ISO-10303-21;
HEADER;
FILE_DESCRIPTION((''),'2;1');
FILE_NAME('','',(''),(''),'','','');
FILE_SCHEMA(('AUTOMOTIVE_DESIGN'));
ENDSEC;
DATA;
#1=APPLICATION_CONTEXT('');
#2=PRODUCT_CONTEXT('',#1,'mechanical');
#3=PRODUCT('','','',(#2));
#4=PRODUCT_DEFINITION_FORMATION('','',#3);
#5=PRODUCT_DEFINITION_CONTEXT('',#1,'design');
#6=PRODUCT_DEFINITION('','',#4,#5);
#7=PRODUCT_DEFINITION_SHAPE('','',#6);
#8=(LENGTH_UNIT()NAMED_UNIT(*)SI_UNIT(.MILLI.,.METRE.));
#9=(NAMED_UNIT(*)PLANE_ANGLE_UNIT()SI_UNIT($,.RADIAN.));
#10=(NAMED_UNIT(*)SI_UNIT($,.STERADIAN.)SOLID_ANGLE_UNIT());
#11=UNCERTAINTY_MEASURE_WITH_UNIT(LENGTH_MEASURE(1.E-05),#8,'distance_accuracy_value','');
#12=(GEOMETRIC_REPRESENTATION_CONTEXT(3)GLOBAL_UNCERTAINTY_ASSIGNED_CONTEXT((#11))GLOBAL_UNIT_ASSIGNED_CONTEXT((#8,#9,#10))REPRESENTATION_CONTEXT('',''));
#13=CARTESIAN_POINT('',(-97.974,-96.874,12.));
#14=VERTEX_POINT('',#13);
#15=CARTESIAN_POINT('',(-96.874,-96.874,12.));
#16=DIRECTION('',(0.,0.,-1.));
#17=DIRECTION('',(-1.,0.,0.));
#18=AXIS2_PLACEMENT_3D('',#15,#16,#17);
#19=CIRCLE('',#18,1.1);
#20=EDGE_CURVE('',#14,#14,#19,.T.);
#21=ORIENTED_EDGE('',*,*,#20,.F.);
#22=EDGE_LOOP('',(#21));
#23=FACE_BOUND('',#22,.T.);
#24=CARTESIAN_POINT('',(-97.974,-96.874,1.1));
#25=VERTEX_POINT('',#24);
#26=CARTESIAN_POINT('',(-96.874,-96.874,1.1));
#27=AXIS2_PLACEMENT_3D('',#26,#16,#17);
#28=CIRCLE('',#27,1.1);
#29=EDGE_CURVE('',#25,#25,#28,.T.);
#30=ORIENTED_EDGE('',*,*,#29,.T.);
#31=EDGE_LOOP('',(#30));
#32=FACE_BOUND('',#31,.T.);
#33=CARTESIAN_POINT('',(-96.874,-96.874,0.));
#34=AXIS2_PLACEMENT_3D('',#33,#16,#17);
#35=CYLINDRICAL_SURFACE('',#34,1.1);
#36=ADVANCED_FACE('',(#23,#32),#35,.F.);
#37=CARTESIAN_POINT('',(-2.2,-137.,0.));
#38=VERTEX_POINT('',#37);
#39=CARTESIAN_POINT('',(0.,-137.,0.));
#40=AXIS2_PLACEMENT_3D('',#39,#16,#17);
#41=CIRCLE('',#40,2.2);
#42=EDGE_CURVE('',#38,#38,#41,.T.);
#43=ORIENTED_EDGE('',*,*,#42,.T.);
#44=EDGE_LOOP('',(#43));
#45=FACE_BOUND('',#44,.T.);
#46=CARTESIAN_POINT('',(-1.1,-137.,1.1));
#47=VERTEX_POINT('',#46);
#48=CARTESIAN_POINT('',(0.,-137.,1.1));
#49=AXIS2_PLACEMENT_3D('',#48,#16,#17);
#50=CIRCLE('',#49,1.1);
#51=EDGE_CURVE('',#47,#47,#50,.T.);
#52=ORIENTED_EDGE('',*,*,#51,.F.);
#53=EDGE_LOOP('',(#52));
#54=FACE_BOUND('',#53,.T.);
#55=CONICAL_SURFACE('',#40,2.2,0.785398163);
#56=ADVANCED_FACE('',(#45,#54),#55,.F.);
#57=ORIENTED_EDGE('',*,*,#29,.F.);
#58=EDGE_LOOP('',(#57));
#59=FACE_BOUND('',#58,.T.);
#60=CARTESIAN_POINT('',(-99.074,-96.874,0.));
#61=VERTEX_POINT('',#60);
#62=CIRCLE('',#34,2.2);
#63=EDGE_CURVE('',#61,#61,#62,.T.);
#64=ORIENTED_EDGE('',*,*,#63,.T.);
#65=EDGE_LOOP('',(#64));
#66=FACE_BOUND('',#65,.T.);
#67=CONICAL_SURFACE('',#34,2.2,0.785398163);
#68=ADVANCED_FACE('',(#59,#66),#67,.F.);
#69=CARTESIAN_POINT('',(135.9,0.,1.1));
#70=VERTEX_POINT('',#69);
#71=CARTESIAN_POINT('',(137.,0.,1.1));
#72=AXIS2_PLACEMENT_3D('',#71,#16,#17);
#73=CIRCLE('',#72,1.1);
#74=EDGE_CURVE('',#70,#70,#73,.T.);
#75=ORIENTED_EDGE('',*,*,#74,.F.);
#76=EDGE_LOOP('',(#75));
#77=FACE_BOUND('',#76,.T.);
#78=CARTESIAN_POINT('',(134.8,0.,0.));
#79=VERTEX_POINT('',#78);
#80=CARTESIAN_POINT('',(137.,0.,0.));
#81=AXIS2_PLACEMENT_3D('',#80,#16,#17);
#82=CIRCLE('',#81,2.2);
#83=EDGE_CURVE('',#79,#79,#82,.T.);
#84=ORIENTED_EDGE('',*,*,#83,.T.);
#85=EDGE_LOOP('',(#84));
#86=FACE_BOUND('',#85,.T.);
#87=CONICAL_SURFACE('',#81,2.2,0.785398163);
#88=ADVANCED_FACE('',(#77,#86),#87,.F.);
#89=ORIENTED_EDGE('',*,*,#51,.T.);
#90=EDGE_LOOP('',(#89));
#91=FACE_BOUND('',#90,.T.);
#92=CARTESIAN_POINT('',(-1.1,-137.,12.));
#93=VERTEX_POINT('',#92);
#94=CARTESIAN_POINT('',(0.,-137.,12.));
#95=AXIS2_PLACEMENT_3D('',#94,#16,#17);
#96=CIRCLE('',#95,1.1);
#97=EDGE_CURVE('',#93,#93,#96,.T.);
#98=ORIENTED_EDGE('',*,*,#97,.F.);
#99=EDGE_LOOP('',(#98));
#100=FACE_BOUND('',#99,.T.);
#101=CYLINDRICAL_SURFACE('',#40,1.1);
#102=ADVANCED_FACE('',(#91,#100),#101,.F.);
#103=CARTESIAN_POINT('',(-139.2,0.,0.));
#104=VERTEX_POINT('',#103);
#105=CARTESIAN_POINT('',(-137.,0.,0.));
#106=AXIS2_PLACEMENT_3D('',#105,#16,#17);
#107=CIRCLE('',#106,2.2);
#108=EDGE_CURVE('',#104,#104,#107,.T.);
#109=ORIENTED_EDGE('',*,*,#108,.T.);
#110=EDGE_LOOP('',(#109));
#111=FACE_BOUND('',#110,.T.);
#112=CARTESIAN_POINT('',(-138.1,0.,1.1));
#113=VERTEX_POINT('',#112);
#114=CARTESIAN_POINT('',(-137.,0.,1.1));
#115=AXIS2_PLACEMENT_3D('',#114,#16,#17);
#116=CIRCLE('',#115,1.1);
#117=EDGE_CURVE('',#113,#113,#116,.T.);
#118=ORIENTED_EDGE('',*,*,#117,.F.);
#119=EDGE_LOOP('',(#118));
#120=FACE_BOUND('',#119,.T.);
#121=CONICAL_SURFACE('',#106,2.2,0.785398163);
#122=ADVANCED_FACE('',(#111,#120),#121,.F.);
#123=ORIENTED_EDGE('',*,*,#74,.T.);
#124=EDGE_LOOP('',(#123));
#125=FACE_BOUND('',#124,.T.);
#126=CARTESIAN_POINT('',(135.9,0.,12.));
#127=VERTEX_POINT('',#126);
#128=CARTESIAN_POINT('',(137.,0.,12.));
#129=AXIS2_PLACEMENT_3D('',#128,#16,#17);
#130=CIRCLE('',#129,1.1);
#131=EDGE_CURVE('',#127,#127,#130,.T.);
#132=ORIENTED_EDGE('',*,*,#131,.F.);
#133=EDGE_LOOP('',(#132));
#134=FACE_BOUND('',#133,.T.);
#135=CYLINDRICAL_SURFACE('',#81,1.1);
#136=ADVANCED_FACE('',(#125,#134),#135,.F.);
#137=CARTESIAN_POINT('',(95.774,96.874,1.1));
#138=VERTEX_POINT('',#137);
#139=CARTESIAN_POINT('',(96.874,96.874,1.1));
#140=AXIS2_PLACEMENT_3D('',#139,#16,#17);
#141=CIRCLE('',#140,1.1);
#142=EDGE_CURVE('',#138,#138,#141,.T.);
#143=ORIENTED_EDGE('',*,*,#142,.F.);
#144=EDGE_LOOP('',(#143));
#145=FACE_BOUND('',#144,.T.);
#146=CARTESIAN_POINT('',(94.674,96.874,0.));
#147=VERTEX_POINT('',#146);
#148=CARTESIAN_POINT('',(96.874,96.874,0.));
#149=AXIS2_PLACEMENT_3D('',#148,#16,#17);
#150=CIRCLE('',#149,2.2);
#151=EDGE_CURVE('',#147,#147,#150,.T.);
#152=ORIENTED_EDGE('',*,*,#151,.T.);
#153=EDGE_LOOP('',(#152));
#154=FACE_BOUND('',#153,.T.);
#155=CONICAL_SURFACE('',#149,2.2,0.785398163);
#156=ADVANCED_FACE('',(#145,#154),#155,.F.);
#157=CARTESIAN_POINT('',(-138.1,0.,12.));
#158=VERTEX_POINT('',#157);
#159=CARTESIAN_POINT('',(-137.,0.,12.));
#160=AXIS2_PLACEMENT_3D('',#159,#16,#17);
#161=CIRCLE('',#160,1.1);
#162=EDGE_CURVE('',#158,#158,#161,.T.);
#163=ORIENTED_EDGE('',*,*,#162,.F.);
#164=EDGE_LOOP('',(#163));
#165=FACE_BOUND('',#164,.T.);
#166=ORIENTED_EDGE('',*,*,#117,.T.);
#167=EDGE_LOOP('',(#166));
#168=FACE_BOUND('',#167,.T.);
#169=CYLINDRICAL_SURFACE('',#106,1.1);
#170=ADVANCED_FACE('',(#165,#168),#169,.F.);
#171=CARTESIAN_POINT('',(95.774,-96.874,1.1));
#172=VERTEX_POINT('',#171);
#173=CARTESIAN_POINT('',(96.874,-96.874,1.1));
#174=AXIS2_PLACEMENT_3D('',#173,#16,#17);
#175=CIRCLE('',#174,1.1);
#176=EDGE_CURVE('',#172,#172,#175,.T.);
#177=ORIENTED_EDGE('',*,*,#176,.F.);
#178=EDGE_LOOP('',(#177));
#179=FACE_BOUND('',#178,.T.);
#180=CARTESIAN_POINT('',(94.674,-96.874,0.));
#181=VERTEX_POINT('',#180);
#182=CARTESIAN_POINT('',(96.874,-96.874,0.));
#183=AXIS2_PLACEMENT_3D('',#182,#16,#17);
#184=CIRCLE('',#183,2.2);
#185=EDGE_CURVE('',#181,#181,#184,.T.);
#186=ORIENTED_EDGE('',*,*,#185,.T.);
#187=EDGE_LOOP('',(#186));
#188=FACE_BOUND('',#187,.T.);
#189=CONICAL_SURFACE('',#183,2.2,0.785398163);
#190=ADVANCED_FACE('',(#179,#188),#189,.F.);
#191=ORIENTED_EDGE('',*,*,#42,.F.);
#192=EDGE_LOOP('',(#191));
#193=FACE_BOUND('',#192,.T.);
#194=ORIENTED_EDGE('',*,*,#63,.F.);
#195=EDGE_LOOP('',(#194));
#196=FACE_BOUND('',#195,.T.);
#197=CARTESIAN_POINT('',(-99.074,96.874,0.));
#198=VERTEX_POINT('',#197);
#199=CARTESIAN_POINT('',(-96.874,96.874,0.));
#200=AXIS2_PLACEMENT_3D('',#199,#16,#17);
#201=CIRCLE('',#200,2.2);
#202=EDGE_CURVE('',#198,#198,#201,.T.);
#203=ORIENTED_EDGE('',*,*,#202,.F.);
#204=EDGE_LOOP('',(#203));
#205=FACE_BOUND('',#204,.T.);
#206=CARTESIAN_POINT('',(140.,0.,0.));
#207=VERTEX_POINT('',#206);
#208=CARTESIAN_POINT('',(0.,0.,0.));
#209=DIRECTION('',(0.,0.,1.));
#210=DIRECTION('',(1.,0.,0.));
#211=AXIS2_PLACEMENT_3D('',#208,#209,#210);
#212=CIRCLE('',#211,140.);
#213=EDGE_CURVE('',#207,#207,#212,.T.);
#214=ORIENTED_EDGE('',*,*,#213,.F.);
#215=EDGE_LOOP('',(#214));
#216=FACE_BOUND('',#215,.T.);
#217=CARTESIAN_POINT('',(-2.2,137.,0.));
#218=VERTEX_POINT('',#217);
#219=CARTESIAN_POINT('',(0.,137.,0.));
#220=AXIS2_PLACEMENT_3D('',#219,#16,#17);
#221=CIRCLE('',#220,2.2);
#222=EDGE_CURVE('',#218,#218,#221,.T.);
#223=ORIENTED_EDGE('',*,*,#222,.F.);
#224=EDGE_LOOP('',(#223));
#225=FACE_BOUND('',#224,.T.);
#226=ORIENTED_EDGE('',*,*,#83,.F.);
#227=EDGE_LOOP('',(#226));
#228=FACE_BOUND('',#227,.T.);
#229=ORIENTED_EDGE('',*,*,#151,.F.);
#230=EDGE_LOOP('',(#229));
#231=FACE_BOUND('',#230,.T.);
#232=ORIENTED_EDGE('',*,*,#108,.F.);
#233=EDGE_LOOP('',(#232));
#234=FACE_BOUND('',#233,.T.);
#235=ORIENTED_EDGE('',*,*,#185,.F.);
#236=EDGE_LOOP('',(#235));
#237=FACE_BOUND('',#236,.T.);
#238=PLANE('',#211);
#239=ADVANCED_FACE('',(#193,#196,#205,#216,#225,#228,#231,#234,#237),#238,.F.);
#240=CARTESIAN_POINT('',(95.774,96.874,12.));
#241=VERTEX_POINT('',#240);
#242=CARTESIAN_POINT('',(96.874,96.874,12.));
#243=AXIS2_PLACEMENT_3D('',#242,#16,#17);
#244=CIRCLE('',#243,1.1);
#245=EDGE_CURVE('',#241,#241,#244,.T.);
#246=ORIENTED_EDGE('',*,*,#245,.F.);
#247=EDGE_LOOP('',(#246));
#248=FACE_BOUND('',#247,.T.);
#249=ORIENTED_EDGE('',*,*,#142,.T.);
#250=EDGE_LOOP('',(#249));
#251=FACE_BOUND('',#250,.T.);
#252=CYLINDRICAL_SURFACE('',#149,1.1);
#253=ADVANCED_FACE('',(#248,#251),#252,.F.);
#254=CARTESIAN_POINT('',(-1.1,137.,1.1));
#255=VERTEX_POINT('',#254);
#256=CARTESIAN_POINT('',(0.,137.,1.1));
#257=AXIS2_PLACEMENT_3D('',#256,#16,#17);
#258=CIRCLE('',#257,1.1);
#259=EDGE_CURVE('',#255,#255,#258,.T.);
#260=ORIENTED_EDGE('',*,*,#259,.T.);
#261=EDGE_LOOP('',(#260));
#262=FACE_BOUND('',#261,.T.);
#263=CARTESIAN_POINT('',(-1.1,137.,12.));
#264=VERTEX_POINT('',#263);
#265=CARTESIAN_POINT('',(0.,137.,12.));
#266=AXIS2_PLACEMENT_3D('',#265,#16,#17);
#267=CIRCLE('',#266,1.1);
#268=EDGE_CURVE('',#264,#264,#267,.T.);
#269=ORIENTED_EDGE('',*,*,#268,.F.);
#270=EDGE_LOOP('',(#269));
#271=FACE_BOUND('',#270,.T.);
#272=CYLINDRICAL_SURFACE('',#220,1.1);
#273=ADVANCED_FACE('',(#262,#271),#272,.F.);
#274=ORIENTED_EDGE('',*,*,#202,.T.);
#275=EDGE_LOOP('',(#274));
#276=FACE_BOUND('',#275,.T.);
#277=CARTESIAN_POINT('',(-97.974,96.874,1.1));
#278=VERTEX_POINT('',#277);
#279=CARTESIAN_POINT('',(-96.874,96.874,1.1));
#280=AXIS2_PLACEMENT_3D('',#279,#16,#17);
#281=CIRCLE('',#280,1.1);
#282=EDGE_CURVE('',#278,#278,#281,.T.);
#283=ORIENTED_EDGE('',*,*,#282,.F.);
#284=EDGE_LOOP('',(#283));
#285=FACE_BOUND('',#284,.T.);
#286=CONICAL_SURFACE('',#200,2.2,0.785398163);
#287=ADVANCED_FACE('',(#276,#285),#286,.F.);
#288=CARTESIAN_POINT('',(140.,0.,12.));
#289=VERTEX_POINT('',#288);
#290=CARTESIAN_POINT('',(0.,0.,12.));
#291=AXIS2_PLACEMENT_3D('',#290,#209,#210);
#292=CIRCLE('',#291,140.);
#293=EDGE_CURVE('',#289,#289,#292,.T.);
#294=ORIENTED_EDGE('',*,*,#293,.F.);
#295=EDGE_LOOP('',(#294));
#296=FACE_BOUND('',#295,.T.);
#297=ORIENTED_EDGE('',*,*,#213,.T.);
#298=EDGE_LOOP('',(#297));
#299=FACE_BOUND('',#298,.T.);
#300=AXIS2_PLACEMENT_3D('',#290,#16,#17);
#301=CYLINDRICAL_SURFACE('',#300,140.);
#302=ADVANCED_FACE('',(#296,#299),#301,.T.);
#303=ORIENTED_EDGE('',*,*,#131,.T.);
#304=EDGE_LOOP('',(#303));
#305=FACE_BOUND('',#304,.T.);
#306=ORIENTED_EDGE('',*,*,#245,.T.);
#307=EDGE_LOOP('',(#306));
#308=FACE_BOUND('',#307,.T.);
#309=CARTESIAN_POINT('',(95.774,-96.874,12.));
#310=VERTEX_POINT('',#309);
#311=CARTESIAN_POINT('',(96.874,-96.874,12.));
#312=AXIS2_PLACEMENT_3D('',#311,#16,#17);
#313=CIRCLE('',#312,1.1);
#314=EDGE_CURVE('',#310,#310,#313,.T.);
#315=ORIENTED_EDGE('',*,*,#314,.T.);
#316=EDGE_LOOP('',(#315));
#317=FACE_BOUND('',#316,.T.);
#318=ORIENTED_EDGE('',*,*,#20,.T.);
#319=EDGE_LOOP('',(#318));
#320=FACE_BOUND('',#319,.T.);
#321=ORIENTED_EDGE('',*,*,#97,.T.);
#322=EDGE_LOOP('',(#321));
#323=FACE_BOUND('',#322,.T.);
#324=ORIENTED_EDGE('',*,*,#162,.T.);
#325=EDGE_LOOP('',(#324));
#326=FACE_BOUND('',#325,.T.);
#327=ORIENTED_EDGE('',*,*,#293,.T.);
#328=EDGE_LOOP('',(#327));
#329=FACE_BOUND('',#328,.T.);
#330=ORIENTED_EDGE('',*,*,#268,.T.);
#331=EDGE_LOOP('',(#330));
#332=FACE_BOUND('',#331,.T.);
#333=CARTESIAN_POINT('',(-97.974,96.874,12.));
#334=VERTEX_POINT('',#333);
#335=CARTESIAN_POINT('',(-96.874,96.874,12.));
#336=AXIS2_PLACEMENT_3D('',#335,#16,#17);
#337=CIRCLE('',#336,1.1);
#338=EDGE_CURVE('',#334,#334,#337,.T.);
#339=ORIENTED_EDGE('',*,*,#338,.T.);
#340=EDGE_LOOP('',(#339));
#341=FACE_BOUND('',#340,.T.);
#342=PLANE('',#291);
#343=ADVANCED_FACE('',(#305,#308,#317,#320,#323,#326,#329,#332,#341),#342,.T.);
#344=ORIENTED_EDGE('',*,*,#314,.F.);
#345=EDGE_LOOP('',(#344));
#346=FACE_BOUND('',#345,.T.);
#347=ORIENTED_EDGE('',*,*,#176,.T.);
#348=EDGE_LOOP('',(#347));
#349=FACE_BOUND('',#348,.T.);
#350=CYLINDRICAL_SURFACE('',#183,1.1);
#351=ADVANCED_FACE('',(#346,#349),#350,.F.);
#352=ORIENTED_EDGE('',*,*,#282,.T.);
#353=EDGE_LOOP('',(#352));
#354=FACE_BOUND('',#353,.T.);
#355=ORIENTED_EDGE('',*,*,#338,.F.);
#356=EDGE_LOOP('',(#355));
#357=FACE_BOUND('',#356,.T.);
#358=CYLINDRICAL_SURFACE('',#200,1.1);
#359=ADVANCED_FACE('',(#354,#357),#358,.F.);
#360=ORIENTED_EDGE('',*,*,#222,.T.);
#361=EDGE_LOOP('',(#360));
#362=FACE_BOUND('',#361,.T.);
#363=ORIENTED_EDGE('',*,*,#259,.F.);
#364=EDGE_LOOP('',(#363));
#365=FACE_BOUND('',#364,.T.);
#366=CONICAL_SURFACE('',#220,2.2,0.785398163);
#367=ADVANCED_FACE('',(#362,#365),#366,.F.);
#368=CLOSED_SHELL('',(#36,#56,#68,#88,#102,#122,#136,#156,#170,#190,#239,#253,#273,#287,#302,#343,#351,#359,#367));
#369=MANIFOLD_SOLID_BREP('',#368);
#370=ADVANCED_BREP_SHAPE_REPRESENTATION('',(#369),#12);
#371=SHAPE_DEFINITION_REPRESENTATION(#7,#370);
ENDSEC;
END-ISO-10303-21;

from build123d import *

# Parameters (mm, degrees)
SKETCH1_R                                       = 140
BOSS_EXTRUDE1_DEPTH                             = 12
CSK_FOR_M2_FLAT_HEAD_MACHINE_SCREW1_D           = 2.2
CSK_FOR_M2_FLAT_HEAD_MACHINE_SCREW1_CSINK_D     = 4.4
CSK_FOR_M2_FLAT_HEAD_MACHINE_SCREW1_CSINK_ANGLE = 90


with BuildPart() as part:
    # Sketch1 → Boss-Extrude1 (new body)
    with BuildSketch(Plane.XY):
        Circle(SKETCH1_R)
    extrude(amount=BOSS_EXTRUDE1_DEPTH)

    # CSK for M2 Flat Head Machine Screw1 (through all)
    with Locations(Plane(origin=(0, 0, 0), x_dir=(-1, 0, 0), z_dir=(0, 0, -1))):
        with Locations((0, 137), (137, 0), (0, -137), (-137, 0), (-96.874, 96.874), (96.874, 96.874), (96.874, -96.874), (-96.874, -96.874)):
            CounterSinkHole(CSK_FOR_M2_FLAT_HEAD_MACHINE_SCREW1_D / 2, CSK_FOR_M2_FLAT_HEAD_MACHINE_SCREW1_CSINK_D / 2, counter_sink_angle=CSK_FOR_M2_FLAT_HEAD_MACHINE_SCREW1_CSINK_ANGLE)


solid = part.part
